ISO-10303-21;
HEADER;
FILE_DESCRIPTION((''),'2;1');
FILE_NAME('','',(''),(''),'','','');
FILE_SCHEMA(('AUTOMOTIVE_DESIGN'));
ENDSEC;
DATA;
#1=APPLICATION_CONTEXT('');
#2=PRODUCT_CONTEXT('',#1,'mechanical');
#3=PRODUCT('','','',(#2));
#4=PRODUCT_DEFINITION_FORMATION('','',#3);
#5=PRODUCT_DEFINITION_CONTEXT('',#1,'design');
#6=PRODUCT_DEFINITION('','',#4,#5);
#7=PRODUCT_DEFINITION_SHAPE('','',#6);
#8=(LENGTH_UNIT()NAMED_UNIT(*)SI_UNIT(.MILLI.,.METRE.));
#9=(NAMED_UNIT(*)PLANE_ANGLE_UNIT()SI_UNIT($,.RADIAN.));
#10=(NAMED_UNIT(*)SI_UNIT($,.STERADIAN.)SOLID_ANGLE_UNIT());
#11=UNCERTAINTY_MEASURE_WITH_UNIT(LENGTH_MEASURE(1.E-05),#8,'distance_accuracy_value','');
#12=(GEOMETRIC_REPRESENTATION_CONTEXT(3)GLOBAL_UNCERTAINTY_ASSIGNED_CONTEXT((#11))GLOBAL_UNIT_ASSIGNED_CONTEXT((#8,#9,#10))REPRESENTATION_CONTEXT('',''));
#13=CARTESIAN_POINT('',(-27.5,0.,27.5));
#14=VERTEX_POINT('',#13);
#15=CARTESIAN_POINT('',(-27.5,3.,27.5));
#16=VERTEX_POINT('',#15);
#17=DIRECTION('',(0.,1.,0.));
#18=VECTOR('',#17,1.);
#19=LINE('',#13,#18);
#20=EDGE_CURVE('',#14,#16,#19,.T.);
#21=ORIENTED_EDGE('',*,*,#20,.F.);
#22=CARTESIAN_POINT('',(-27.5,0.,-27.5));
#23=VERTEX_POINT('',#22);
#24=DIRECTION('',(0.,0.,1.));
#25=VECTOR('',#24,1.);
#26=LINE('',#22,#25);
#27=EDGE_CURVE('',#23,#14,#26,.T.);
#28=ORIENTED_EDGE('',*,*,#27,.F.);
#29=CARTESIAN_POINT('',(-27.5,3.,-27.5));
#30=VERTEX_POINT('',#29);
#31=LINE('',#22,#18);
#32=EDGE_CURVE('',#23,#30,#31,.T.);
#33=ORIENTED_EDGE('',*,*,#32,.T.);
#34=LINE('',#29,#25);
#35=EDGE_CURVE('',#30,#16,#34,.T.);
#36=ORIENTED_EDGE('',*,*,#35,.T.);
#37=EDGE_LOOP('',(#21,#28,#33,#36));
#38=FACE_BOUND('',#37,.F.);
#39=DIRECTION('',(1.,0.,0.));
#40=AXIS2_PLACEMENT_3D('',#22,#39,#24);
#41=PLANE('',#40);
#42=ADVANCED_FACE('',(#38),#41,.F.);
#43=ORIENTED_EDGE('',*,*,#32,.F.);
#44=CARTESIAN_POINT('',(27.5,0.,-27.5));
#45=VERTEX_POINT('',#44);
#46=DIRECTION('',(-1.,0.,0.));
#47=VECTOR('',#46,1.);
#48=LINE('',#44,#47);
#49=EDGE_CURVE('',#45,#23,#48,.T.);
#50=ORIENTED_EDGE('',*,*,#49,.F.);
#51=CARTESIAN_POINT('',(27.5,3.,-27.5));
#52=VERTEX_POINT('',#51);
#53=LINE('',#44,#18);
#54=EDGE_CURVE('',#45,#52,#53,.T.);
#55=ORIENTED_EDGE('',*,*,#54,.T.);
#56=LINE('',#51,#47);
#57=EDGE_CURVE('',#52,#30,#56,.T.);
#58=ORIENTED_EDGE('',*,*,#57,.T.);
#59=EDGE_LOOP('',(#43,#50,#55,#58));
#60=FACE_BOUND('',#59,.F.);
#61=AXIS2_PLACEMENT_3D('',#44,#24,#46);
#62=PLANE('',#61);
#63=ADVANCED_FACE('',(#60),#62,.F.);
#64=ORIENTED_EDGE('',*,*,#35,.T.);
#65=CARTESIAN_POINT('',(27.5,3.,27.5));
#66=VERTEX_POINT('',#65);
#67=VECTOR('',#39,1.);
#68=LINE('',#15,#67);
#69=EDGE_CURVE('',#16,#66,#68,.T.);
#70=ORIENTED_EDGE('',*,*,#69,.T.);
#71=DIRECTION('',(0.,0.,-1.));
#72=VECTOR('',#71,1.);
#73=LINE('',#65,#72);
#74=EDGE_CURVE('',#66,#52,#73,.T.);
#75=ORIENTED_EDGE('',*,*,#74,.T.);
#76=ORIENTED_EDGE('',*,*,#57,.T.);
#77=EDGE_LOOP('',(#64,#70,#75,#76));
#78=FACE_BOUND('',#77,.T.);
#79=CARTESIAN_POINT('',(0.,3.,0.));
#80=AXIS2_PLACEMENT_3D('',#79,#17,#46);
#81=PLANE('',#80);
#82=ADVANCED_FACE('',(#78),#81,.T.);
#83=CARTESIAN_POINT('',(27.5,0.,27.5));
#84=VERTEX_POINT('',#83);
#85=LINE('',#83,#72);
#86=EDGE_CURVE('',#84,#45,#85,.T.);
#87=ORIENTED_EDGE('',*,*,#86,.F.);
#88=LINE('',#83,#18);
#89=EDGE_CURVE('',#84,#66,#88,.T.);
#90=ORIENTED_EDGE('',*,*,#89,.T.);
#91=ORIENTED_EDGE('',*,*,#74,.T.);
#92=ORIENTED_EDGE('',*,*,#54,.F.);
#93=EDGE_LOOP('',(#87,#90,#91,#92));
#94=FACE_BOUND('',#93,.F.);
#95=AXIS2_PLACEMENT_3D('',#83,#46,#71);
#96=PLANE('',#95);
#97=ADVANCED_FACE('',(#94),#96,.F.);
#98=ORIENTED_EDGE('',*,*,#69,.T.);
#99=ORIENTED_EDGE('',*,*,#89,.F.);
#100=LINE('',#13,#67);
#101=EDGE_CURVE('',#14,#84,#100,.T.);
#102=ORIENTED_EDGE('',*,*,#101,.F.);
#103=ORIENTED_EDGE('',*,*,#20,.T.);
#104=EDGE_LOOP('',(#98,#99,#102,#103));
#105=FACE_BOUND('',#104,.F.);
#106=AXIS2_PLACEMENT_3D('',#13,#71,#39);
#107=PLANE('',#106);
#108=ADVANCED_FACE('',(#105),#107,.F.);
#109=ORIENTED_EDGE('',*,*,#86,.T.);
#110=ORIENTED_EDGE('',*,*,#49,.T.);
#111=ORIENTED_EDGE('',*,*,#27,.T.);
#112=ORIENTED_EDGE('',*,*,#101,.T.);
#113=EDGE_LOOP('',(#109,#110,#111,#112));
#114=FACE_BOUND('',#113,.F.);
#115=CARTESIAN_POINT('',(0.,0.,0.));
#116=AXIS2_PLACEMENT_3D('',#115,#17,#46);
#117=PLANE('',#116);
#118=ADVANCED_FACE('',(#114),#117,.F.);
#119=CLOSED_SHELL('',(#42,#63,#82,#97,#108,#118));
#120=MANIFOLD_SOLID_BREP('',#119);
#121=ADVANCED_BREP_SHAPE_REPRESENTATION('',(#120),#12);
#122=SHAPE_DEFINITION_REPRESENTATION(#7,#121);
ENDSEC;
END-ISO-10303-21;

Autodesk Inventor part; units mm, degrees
ref_plane "YZ Plane" through (0, 0, 0) normal (1, 0, 0) x (0, 1, 0)
ref_plane "XZ Plane" through (0, 0, 0) normal (0, 1, 0) x (-1, 0, 0)
ref_plane "XY Plane" through (0, 0, 0) normal (0, 0, 1) x (1, 0, 0)
sketch "Sketch1" plane through (0, 0, 0) normal (0, 1, 0) x (-1, 0, 0)
  line L0 (27.5, 27.5) -> (-27.5, 27.5)
  line L1 (-27.5, 27.5) -> (-27.5, -27.5)
  line L2 (-27.5, -27.5) -> (27.5, -27.5)
  line L3 (27.5, -27.5) -> (27.5, 27.5)
  line L4 (27.5, 27.5) -> (-27.5, -27.5) construction
  line L5 (-27.5, 27.5) -> (27.5, -27.5) construction
  point P0 (0, 0)
  dimension "d0" = 55
  dimension "d1" = 55
extrude "Extrusion1" add sketch "Sketch1" along normal blind 3
properties part number "square_55mm_plate"
